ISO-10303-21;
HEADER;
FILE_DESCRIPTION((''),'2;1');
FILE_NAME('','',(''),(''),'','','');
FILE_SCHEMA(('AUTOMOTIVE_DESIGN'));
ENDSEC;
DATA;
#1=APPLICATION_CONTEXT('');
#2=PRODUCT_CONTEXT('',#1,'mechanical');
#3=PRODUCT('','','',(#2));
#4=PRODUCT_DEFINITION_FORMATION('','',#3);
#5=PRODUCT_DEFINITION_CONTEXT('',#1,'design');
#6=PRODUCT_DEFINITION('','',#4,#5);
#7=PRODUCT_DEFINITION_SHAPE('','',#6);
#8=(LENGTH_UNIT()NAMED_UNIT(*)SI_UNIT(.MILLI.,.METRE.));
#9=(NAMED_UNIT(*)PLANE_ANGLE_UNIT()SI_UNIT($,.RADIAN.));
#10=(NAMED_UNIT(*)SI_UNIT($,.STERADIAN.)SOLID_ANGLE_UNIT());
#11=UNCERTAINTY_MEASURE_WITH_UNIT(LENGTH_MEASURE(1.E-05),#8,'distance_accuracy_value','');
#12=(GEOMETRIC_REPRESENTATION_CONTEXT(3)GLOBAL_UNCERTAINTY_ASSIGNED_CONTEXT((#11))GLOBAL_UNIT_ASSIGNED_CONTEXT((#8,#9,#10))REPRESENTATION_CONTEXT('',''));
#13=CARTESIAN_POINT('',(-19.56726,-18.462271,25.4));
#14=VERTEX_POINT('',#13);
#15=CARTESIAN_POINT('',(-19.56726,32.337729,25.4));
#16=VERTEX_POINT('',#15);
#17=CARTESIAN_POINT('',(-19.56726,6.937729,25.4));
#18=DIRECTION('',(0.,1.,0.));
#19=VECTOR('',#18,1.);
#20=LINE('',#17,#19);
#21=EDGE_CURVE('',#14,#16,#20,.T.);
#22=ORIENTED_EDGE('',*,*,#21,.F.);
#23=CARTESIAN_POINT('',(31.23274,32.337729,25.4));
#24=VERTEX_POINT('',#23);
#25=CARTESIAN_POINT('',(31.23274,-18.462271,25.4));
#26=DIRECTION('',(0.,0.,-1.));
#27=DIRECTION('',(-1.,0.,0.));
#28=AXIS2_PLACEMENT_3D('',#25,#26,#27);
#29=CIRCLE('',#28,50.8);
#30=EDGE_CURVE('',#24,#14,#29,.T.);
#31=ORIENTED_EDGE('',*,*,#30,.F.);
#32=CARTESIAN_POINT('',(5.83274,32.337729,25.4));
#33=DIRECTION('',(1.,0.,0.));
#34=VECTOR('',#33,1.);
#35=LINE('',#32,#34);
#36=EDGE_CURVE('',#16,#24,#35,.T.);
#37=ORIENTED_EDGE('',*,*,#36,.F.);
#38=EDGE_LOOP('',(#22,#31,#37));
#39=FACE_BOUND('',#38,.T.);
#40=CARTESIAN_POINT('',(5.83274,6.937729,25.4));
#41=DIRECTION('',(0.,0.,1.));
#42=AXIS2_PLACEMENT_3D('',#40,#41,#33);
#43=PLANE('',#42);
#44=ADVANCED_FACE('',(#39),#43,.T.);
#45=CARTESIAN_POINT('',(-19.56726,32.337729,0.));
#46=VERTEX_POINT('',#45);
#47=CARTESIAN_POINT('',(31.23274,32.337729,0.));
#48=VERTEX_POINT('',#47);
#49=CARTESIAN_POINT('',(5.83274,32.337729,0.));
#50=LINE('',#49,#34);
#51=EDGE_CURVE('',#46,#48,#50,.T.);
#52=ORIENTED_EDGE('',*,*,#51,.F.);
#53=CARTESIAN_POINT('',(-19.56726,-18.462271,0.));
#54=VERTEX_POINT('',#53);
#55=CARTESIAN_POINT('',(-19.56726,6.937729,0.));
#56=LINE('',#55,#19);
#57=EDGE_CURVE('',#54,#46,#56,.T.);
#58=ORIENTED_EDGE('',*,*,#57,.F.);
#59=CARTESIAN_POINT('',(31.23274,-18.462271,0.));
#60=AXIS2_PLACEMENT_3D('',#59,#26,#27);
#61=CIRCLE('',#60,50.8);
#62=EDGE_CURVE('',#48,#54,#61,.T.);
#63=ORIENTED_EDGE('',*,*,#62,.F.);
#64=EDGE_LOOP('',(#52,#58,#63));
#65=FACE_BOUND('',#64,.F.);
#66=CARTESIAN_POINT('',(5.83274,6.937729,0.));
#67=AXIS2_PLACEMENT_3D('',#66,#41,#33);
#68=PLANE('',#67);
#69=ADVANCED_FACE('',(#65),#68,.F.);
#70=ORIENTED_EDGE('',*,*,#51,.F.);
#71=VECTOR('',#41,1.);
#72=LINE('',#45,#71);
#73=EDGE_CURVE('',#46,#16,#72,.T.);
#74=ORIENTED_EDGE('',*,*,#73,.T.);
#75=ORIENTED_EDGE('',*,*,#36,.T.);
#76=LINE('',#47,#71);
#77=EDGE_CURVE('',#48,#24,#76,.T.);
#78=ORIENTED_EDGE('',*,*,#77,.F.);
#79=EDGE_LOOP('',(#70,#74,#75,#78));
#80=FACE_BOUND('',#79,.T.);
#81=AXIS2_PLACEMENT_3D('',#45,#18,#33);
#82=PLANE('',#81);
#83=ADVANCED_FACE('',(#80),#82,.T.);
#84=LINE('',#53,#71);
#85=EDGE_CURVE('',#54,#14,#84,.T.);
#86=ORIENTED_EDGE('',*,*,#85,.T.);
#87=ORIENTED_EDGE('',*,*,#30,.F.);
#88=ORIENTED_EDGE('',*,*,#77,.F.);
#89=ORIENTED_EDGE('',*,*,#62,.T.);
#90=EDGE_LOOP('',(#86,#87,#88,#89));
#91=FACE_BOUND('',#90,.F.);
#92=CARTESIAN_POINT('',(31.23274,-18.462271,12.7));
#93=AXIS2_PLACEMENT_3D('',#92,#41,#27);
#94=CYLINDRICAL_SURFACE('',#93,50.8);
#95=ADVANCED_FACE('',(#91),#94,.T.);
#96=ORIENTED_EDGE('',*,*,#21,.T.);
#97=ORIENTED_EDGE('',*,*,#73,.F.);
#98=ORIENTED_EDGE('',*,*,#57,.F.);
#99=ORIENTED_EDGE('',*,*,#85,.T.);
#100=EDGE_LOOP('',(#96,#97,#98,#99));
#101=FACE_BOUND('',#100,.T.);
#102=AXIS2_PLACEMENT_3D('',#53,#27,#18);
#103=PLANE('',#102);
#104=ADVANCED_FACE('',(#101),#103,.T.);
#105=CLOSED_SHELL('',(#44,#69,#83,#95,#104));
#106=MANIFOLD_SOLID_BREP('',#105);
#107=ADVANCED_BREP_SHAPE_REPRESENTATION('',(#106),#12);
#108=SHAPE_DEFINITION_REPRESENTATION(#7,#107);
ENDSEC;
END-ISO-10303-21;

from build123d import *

# Parameters (mm, degrees)
F0_W       = 50.8
F0_H       = 50.8
F1_DEPTH   = 25.4
F1_FACE_W  = 50.8
F1_FACE_H  = 25.4
F1_FACE1_W = 50.8
F1_FACE1_H = 25.4


with BuildPart() as f1:
    # F0 (on Top) → F1 (new body)
    with BuildSketch(Plane.XY):
        with Locations((5.8327401057, 6.9377286209)):
            Rectangle(F0_W, F0_H)
    extrude(amount=F1_DEPTH)

    # F1_face (on face) + F1_face1 (on face) → F2 (revolve)
    with BuildSketch(Plane(origin=(5.8327401057, -18.4622713791, 12.7), x_dir=(1, 0, 0), z_dir=(0, -1, 0))):
        Rectangle(F1_FACE_W, F1_FACE_H)
    with BuildSketch(Plane(origin=(31.2327401057, 6.9377286209, 12.7), x_dir=(0, 1, 0), z_dir=(1, 0, 0))):
        Rectangle(F1_FACE1_W, F1_FACE1_H)
    revolve(axis=Axis((31.2327401057, -18.4622713791, 12.7), (0, 0, -1)))


solid = f1.part
